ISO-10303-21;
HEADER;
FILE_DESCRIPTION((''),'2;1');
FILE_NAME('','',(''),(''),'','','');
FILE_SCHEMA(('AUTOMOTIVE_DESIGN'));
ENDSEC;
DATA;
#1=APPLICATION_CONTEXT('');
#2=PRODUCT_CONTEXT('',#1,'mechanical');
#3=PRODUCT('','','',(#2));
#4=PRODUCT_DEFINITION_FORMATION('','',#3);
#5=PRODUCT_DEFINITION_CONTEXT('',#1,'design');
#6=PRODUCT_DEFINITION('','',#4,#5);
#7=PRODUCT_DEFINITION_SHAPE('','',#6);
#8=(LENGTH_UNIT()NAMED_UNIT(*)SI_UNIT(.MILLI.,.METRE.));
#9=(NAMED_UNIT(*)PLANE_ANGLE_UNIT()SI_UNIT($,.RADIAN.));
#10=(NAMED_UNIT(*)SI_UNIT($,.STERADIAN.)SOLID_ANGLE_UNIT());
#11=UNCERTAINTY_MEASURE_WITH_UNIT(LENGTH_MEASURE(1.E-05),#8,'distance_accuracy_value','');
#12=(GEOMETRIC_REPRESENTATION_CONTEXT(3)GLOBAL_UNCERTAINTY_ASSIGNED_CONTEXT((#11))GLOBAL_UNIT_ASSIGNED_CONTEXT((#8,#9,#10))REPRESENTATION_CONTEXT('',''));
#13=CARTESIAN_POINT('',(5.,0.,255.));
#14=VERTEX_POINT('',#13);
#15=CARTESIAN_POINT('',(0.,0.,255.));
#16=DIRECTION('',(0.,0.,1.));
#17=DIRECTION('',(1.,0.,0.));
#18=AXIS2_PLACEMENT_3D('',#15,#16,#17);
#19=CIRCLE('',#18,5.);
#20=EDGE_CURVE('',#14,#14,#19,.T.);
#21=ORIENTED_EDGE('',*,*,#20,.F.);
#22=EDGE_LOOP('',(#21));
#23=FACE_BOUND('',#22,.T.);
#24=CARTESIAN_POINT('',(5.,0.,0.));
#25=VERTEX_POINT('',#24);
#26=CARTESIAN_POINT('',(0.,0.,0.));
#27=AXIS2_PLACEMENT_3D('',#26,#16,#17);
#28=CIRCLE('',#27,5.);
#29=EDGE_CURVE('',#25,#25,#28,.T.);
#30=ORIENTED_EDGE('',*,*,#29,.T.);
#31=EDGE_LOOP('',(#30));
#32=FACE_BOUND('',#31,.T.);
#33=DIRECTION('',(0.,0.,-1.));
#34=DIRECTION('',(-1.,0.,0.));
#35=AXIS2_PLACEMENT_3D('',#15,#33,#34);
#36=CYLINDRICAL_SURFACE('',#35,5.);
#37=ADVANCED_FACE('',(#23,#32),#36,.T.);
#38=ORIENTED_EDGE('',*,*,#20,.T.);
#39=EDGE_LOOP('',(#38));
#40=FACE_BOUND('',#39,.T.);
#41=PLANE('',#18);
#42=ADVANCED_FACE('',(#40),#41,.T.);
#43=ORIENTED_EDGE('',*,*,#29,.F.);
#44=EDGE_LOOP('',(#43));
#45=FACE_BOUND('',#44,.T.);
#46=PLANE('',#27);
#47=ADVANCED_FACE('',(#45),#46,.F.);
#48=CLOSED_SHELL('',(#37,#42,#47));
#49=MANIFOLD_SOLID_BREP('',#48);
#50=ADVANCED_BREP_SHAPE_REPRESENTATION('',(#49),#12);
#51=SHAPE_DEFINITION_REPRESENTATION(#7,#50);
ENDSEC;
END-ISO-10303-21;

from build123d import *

# Parameters (mm, degrees)
ESQUISSE1_R        = 5
BOSS_EXTRU_1_DEPTH = 255


with BuildPart() as part:
    # Esquisse1 → Boss.-Extru.1 (new body)
    with BuildSketch(Plane.XY):
        Circle(ESQUISSE1_R)
    extrude(amount=BOSS_EXTRU_1_DEPTH)


solid = part.part
